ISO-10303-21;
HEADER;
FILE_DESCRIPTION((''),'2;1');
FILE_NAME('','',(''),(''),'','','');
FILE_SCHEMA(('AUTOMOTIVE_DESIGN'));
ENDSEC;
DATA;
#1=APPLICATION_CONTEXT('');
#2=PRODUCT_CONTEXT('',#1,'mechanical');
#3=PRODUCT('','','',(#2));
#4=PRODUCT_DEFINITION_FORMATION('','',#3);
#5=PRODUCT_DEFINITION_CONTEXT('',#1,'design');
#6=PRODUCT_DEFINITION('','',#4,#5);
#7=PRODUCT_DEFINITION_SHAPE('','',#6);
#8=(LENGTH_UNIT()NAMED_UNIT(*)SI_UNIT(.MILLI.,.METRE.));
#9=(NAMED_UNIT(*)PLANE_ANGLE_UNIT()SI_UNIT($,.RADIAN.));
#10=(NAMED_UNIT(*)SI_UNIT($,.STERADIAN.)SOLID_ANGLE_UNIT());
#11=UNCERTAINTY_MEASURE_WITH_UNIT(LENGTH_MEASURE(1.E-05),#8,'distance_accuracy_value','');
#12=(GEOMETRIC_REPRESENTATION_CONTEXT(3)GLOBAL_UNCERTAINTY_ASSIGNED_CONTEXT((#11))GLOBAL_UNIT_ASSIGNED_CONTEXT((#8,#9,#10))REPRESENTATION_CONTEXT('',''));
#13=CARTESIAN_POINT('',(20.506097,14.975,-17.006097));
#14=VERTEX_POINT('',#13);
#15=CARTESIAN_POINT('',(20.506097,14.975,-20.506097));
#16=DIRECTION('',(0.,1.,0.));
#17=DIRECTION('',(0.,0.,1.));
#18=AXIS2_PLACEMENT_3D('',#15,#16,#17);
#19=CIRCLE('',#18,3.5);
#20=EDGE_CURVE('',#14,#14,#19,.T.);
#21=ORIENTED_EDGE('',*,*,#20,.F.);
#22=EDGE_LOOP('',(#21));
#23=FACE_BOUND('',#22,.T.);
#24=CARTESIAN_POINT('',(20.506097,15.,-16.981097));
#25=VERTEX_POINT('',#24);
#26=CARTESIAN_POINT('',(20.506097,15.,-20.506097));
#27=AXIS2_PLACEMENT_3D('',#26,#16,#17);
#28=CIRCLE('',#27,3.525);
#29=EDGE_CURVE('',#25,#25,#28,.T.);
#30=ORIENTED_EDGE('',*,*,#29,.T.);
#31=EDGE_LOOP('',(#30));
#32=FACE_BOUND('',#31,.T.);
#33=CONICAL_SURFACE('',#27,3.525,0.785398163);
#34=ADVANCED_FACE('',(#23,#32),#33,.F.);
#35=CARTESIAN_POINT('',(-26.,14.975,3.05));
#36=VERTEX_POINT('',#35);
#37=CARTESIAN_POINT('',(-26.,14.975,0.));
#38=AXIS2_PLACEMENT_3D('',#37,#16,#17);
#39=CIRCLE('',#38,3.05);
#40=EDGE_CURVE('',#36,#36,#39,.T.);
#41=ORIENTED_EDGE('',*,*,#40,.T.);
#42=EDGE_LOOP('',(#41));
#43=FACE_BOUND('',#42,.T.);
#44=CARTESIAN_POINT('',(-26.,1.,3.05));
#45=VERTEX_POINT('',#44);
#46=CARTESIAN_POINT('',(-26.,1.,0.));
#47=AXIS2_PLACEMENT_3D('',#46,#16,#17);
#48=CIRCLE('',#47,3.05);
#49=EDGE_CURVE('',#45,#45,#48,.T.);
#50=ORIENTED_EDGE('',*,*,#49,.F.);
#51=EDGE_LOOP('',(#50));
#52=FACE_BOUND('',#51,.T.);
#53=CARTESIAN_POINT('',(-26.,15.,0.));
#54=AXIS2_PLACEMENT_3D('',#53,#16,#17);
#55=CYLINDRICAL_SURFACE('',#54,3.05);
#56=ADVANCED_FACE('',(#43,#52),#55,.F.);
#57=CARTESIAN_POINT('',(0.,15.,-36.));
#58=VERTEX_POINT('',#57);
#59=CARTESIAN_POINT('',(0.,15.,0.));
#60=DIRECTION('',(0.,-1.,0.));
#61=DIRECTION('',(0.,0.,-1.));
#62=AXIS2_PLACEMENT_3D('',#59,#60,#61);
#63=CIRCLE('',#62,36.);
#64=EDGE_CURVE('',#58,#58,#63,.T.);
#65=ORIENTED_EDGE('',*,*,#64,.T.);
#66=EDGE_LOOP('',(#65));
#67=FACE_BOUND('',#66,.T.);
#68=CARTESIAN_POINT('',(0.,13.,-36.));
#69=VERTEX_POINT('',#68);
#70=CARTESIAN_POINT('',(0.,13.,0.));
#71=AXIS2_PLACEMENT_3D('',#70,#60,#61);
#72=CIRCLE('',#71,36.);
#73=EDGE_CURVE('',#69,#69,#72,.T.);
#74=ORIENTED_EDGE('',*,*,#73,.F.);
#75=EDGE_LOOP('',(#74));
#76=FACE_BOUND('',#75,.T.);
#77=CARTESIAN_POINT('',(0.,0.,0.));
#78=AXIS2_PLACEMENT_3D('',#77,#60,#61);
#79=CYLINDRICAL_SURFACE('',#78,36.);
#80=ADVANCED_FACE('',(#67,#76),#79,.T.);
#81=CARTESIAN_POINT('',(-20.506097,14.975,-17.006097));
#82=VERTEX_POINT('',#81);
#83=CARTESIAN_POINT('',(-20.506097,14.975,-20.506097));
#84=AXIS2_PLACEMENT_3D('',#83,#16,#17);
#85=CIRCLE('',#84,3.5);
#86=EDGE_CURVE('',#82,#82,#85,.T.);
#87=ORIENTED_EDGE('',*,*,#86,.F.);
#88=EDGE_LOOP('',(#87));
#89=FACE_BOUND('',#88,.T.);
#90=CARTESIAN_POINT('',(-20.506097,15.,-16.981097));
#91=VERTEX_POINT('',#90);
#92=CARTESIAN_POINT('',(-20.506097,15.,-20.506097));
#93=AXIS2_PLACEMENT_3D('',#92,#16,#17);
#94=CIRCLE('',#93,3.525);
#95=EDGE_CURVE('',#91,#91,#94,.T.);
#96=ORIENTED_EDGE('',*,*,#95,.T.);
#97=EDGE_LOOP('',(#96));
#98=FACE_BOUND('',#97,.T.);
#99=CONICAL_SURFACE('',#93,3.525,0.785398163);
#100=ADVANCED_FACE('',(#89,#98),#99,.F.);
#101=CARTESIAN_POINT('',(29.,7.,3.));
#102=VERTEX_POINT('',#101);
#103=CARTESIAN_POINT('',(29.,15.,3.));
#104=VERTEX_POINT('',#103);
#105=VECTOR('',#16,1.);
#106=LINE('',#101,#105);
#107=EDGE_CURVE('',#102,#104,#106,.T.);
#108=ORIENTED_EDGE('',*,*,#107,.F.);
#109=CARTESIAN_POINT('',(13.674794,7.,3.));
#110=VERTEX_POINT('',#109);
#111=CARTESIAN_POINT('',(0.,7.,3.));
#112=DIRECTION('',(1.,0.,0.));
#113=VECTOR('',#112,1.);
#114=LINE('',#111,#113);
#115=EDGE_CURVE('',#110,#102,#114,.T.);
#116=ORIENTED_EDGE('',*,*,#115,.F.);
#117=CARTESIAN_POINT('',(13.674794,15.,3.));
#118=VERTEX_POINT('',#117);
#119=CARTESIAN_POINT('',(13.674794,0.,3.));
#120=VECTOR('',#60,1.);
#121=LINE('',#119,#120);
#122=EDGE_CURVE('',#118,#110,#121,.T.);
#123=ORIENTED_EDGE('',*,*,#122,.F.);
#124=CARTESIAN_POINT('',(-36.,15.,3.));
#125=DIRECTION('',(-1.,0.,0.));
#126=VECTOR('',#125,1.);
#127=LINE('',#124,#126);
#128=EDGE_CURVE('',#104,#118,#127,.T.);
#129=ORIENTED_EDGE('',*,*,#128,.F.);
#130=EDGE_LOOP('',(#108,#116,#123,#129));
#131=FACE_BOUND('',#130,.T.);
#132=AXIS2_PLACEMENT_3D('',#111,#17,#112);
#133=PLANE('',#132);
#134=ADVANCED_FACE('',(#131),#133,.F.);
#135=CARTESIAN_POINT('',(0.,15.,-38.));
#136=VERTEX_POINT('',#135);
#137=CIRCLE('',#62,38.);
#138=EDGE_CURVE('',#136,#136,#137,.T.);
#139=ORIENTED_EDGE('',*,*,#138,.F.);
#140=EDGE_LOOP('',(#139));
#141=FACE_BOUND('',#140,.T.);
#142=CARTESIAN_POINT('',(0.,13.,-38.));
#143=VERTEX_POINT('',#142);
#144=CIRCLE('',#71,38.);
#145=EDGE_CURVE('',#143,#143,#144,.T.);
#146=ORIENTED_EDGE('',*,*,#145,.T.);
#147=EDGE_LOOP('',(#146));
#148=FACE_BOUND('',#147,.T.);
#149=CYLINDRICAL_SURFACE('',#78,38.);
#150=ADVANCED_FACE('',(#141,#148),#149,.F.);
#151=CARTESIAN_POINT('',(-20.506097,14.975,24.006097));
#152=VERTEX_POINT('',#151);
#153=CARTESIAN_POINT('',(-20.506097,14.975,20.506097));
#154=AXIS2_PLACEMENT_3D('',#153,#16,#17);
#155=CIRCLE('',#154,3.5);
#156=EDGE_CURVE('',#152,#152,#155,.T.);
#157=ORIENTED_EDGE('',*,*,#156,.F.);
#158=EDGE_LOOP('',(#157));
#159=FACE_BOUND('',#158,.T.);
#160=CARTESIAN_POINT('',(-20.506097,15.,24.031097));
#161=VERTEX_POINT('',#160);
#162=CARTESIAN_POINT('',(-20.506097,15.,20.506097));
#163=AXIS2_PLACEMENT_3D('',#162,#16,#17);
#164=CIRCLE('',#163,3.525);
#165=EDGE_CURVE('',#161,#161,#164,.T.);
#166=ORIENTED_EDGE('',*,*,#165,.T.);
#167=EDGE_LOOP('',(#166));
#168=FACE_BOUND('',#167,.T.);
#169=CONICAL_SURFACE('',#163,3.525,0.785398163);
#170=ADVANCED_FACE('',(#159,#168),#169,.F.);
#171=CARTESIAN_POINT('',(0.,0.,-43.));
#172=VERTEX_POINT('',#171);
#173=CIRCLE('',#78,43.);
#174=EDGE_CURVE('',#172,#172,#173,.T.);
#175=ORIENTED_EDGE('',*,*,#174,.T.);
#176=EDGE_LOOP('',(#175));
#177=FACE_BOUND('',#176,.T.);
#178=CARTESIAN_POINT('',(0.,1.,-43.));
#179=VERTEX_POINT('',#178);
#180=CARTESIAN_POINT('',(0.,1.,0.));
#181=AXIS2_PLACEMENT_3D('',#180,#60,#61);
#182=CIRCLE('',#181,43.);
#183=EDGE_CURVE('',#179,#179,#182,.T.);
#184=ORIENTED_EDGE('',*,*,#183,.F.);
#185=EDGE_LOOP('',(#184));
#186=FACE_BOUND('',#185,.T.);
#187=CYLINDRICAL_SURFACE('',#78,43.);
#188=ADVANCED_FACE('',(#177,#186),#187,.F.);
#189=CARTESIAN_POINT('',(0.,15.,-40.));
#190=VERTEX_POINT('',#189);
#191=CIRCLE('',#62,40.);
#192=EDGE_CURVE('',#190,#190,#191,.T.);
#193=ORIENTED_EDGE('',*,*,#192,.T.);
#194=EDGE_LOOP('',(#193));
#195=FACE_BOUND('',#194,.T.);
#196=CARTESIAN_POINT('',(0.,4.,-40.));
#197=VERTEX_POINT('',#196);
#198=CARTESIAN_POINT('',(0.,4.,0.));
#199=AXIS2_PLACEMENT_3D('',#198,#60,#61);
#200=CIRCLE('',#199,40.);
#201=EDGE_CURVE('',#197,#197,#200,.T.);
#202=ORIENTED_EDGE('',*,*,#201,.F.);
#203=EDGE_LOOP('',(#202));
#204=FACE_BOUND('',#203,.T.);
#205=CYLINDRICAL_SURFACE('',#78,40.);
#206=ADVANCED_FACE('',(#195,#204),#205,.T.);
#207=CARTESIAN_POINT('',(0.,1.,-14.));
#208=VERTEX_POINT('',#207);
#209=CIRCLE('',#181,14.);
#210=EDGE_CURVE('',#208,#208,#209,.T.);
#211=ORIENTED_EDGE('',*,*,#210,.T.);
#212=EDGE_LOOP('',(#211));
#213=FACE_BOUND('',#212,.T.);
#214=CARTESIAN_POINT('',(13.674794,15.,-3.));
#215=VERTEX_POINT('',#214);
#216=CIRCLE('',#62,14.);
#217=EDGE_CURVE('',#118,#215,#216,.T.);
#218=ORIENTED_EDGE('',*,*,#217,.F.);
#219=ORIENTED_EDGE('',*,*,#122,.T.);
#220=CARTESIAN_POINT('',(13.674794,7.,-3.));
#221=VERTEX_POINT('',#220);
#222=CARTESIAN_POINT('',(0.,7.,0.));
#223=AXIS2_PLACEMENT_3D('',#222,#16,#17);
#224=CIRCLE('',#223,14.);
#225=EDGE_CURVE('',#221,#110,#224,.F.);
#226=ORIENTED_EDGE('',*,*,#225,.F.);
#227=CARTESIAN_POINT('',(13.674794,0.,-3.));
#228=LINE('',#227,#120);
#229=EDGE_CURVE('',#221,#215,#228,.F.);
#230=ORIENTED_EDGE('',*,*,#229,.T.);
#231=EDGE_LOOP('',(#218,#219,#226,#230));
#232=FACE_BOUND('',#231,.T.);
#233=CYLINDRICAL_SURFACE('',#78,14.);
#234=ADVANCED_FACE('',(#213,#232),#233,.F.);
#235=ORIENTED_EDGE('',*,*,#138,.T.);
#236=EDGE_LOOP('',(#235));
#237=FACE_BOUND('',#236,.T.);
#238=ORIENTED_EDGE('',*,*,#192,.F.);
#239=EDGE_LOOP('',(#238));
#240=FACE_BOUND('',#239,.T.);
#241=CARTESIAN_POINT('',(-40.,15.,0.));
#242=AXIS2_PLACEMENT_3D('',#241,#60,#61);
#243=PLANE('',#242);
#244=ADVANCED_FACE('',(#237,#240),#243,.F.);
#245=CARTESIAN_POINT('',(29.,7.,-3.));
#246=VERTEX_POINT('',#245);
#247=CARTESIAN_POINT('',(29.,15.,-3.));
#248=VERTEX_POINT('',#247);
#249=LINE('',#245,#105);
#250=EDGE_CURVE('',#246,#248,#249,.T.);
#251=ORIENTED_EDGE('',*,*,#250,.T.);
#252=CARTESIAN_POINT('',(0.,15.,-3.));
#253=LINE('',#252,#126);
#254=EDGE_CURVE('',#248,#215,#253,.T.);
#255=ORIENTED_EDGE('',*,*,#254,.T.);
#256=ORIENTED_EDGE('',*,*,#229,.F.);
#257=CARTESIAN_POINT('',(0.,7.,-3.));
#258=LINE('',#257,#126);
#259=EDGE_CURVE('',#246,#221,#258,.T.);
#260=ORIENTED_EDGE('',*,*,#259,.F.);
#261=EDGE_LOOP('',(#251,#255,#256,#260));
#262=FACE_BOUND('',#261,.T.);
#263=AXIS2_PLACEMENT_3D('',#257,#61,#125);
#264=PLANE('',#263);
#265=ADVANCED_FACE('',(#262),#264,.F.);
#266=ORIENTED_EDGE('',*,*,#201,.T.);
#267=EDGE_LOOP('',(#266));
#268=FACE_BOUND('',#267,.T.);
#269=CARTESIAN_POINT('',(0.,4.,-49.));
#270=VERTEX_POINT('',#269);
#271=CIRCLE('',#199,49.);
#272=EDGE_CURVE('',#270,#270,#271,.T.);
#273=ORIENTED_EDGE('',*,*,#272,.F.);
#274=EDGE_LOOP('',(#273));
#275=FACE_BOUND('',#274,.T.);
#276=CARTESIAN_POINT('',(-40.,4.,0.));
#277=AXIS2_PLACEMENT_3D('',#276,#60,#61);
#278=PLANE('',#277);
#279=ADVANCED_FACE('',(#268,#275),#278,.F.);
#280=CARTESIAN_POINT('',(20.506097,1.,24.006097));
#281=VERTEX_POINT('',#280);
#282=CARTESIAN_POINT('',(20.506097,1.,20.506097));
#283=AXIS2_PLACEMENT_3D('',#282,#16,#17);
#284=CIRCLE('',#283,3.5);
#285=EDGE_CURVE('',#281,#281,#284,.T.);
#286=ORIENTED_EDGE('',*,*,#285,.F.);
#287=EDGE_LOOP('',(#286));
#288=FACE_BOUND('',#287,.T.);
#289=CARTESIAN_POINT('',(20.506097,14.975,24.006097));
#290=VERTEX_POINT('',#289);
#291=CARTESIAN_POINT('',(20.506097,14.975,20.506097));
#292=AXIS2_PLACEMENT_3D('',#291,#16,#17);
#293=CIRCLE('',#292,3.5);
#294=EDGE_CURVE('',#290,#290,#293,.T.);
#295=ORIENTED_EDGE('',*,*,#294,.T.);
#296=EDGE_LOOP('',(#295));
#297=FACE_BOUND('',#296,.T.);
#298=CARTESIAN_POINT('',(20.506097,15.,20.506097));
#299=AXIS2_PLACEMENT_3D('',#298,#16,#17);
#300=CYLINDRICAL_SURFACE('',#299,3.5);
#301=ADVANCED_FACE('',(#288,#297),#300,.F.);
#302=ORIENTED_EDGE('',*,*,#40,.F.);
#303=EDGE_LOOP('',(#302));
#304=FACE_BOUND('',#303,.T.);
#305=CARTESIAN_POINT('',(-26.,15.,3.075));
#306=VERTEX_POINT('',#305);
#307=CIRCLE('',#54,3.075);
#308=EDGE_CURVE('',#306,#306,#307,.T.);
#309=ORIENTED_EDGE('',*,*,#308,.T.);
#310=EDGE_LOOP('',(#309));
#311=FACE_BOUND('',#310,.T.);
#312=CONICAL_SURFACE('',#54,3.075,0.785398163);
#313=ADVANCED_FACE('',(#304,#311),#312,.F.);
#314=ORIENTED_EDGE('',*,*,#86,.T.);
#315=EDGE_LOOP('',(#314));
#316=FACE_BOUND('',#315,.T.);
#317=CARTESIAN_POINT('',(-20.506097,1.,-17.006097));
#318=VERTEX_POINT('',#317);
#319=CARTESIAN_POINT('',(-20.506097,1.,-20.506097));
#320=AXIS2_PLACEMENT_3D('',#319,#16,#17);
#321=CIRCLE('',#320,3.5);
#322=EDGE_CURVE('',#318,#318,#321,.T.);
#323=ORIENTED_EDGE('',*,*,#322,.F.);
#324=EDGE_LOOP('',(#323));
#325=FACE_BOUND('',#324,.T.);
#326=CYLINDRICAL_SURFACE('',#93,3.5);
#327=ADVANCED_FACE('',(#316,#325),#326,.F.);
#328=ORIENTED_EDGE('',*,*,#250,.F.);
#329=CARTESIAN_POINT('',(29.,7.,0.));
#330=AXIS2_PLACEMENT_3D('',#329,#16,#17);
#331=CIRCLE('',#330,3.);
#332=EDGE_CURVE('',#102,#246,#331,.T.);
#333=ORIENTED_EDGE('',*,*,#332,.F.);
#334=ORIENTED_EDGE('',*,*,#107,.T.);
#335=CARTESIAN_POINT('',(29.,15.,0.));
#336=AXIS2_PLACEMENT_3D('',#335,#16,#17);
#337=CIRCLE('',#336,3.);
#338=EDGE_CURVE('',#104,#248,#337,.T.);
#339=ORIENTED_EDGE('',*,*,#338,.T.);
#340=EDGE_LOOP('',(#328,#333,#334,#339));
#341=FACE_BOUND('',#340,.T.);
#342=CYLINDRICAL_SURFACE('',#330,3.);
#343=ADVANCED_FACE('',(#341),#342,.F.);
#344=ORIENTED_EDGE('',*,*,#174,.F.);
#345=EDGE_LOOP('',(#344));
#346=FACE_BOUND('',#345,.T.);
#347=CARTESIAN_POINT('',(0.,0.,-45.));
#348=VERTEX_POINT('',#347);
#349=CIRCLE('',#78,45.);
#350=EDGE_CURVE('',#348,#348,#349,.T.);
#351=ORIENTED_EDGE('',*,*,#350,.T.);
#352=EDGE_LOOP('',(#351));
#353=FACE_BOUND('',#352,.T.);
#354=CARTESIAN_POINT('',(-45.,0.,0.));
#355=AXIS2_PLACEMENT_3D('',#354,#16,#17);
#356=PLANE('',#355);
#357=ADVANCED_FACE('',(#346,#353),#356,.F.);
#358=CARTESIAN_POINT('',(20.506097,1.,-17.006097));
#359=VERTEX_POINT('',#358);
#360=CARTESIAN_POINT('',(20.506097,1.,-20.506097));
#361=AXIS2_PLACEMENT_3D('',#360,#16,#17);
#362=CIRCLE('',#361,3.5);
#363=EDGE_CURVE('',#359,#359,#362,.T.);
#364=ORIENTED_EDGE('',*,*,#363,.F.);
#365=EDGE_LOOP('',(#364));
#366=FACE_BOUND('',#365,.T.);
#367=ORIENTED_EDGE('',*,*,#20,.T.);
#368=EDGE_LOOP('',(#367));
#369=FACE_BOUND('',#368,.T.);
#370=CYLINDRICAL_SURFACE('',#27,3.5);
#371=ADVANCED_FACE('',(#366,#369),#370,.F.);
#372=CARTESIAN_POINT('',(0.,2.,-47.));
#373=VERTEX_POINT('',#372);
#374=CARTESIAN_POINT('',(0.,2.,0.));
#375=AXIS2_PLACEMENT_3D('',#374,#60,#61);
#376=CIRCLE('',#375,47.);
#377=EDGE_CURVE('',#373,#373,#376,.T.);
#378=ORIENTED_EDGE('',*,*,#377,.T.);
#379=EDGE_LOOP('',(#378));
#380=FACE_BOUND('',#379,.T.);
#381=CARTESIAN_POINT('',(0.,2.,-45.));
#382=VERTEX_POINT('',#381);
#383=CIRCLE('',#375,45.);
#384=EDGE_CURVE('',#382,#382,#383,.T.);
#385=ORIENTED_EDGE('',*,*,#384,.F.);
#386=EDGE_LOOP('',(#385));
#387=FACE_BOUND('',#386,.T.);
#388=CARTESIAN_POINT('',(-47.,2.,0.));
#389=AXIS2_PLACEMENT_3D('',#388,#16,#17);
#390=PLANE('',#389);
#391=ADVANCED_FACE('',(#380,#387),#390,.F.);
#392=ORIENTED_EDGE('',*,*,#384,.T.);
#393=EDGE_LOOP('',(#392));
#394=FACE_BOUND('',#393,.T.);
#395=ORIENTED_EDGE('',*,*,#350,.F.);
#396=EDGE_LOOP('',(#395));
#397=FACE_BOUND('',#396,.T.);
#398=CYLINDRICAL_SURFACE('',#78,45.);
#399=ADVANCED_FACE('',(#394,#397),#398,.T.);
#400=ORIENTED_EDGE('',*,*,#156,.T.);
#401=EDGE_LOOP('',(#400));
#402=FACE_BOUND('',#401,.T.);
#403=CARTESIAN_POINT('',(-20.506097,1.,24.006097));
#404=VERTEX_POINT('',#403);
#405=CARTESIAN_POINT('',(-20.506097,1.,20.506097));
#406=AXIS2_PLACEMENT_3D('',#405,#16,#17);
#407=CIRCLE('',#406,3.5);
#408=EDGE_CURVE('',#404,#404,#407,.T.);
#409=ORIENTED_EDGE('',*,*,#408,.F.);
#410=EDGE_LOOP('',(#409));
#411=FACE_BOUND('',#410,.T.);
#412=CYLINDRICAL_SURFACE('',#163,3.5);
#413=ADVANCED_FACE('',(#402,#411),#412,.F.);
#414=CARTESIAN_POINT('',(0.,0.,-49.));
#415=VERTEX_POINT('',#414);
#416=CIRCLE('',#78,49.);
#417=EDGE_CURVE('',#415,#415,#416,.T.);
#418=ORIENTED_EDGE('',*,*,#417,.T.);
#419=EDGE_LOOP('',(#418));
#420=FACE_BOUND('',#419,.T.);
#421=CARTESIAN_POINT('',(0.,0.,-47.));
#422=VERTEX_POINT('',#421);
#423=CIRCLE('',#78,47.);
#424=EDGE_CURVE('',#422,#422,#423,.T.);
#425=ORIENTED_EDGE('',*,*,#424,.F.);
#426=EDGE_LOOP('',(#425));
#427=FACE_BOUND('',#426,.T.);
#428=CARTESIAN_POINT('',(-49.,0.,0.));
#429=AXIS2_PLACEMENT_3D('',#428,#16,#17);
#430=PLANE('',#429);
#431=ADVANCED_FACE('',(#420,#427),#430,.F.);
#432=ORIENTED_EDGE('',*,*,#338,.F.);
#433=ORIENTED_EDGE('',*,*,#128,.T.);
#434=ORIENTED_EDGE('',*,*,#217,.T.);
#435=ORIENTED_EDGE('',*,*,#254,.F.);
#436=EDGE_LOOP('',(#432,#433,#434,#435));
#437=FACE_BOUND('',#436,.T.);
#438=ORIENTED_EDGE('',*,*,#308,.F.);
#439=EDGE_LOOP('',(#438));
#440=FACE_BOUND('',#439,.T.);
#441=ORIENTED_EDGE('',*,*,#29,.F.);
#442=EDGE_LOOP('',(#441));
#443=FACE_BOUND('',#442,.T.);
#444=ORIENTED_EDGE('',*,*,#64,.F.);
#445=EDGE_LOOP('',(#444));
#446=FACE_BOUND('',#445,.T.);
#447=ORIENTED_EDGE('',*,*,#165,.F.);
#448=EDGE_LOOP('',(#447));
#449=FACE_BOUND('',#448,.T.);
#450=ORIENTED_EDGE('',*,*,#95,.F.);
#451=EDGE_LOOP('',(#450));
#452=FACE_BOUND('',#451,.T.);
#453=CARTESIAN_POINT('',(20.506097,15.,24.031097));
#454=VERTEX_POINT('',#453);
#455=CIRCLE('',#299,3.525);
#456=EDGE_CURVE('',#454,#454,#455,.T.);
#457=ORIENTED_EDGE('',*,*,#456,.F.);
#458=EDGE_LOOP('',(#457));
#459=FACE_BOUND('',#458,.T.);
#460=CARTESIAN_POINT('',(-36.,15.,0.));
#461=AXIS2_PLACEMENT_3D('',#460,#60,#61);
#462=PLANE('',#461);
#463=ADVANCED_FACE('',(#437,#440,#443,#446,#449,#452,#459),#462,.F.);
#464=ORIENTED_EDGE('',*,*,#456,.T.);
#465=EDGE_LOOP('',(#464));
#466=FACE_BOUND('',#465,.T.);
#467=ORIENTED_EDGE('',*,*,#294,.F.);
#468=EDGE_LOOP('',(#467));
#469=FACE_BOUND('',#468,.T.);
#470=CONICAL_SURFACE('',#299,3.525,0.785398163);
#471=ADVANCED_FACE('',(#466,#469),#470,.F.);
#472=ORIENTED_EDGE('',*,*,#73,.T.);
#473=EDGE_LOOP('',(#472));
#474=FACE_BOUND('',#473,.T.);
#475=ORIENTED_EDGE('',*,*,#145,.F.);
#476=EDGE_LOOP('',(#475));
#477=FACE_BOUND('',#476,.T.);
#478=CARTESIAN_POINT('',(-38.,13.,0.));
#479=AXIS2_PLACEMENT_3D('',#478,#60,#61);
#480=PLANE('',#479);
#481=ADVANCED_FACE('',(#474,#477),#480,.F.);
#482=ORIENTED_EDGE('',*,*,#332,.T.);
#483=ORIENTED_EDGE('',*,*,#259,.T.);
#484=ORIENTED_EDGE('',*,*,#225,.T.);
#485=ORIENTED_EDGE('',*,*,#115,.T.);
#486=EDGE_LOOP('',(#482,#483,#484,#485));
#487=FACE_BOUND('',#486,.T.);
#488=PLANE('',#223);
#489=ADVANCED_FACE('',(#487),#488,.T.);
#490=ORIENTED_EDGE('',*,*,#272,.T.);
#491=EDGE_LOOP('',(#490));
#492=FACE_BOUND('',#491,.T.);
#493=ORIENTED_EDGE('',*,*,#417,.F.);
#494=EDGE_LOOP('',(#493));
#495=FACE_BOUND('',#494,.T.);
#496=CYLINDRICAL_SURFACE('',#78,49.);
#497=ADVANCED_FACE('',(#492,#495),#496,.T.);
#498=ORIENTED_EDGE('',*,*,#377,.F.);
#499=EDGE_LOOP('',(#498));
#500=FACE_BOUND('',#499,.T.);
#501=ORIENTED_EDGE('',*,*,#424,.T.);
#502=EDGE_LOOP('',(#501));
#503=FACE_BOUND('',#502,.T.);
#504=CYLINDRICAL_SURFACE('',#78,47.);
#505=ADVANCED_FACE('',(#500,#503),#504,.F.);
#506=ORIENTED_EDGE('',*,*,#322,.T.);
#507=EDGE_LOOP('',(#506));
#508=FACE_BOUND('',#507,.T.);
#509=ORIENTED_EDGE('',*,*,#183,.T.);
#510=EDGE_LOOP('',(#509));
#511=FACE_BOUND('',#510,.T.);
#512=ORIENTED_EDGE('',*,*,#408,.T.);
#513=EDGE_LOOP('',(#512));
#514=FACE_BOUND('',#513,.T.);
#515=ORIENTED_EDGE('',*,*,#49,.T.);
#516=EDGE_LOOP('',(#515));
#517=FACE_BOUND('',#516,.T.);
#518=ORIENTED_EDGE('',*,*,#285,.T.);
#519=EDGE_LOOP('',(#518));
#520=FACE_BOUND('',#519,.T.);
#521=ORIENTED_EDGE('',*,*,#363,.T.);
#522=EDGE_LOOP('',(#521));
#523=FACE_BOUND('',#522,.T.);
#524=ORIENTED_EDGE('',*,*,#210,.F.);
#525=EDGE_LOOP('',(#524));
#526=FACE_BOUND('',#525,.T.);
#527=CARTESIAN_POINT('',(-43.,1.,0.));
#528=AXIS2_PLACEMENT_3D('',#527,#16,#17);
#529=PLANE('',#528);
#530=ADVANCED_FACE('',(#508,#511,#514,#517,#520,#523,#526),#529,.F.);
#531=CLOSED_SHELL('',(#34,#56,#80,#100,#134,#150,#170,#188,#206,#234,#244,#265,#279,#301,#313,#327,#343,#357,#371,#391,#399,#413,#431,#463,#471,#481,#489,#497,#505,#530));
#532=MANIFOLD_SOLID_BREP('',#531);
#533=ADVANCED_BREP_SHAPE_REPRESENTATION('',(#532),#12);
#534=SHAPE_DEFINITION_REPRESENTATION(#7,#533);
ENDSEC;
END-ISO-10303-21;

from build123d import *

# Parameters (mm, degrees)
CUT_EXTRUDE1_DEPTH                   = 8
M6_CLEARANCE_HOLE1_D                 = 7
M6_CLEARANCE_HOLE1_DEPTH             = 14
M6_CLEARANCE_HOLE1_CSINK_D           = 7.05
M6_CLEARANCE_HOLE1_CSINK_ANGLE       = 90
CIRPATTERN1_COUNT                    = 4
F_6_1_6_1_DIAMETER_HOLE1_D           = 6.1
F_6_1_6_1_DIAMETER_HOLE1_DEPTH       = 14
F_6_1_6_1_DIAMETER_HOLE1_CSINK_D     = 6.15
F_6_1_6_1_DIAMETER_HOLE1_CSINK_ANGLE = 90


with BuildPart() as part:
    # Sketch1 → Revolve1 (revolve)
    with BuildSketch(Plane.XY):
        Polygon((-14, 1), (-14, 15), (-36, 15), (-36, 13), (-38, 13), (-38, 15), (-40, 15), (-40, 4), (-49, 4), (-49, 0), (-47, 0), (-47, 2), (-45, 2), (-45, 0), (-43, 0), (-43, 1), align=None)
    revolve(axis=Axis((0, 0, 0), (0, 1, 0)))

    # Sketch2 → Cut-Extrude1 (cut)
    with BuildSketch(Plane(origin=(0, 15, 0), x_dir=(1, 0, 0), z_dir=(0, 1, 0))):
        with BuildLine():
            Line((0, 3), (29, 3))
            ThreePointArc((29, 3), (32, 0), (29, -3))
            Line((29, -3), (0, -3))
            ThreePointArc((0, -3), (-3, 0), (0, 3))
        make_face()
    extrude(amount=-CUT_EXTRUDE1_DEPTH, mode=Mode.SUBTRACT)

    # M6 Clearance Hole1
    with Locations(Plane(origin=(0, 15, 0), x_dir=(1, 0, 0), z_dir=(0, 1, 0))):
        with Locations((20.506096654, 20.506096654)):
            m6_clearance_hole1 = CounterSinkHole(M6_CLEARANCE_HOLE1_D / 2, M6_CLEARANCE_HOLE1_CSINK_D / 2, depth=M6_CLEARANCE_HOLE1_DEPTH, counter_sink_angle=M6_CLEARANCE_HOLE1_CSINK_ANGLE)

    # CirPattern1: M6 Clearance Hole1 ×4 about axis
    cirpattern1_axis = Axis((0, 0, 0), (0, 1, 0))
    for i in range(1, CIRPATTERN1_COUNT):
        add(m6_clearance_hole1.rotate(cirpattern1_axis, i * 360 / CIRPATTERN1_COUNT), mode=Mode.SUBTRACT)

    # Ø6.1 (6.1) Diameter Hole1
    with Locations(Plane(origin=(0, 15, 0), x_dir=(1, 0, 0), z_dir=(0, 1, 0))):
        with Locations((-26, 0)):
            CounterSinkHole(F_6_1_6_1_DIAMETER_HOLE1_D / 2, F_6_1_6_1_DIAMETER_HOLE1_CSINK_D / 2, depth=F_6_1_6_1_DIAMETER_HOLE1_DEPTH, counter_sink_angle=F_6_1_6_1_DIAMETER_HOLE1_CSINK_ANGLE)


solid = part.part
